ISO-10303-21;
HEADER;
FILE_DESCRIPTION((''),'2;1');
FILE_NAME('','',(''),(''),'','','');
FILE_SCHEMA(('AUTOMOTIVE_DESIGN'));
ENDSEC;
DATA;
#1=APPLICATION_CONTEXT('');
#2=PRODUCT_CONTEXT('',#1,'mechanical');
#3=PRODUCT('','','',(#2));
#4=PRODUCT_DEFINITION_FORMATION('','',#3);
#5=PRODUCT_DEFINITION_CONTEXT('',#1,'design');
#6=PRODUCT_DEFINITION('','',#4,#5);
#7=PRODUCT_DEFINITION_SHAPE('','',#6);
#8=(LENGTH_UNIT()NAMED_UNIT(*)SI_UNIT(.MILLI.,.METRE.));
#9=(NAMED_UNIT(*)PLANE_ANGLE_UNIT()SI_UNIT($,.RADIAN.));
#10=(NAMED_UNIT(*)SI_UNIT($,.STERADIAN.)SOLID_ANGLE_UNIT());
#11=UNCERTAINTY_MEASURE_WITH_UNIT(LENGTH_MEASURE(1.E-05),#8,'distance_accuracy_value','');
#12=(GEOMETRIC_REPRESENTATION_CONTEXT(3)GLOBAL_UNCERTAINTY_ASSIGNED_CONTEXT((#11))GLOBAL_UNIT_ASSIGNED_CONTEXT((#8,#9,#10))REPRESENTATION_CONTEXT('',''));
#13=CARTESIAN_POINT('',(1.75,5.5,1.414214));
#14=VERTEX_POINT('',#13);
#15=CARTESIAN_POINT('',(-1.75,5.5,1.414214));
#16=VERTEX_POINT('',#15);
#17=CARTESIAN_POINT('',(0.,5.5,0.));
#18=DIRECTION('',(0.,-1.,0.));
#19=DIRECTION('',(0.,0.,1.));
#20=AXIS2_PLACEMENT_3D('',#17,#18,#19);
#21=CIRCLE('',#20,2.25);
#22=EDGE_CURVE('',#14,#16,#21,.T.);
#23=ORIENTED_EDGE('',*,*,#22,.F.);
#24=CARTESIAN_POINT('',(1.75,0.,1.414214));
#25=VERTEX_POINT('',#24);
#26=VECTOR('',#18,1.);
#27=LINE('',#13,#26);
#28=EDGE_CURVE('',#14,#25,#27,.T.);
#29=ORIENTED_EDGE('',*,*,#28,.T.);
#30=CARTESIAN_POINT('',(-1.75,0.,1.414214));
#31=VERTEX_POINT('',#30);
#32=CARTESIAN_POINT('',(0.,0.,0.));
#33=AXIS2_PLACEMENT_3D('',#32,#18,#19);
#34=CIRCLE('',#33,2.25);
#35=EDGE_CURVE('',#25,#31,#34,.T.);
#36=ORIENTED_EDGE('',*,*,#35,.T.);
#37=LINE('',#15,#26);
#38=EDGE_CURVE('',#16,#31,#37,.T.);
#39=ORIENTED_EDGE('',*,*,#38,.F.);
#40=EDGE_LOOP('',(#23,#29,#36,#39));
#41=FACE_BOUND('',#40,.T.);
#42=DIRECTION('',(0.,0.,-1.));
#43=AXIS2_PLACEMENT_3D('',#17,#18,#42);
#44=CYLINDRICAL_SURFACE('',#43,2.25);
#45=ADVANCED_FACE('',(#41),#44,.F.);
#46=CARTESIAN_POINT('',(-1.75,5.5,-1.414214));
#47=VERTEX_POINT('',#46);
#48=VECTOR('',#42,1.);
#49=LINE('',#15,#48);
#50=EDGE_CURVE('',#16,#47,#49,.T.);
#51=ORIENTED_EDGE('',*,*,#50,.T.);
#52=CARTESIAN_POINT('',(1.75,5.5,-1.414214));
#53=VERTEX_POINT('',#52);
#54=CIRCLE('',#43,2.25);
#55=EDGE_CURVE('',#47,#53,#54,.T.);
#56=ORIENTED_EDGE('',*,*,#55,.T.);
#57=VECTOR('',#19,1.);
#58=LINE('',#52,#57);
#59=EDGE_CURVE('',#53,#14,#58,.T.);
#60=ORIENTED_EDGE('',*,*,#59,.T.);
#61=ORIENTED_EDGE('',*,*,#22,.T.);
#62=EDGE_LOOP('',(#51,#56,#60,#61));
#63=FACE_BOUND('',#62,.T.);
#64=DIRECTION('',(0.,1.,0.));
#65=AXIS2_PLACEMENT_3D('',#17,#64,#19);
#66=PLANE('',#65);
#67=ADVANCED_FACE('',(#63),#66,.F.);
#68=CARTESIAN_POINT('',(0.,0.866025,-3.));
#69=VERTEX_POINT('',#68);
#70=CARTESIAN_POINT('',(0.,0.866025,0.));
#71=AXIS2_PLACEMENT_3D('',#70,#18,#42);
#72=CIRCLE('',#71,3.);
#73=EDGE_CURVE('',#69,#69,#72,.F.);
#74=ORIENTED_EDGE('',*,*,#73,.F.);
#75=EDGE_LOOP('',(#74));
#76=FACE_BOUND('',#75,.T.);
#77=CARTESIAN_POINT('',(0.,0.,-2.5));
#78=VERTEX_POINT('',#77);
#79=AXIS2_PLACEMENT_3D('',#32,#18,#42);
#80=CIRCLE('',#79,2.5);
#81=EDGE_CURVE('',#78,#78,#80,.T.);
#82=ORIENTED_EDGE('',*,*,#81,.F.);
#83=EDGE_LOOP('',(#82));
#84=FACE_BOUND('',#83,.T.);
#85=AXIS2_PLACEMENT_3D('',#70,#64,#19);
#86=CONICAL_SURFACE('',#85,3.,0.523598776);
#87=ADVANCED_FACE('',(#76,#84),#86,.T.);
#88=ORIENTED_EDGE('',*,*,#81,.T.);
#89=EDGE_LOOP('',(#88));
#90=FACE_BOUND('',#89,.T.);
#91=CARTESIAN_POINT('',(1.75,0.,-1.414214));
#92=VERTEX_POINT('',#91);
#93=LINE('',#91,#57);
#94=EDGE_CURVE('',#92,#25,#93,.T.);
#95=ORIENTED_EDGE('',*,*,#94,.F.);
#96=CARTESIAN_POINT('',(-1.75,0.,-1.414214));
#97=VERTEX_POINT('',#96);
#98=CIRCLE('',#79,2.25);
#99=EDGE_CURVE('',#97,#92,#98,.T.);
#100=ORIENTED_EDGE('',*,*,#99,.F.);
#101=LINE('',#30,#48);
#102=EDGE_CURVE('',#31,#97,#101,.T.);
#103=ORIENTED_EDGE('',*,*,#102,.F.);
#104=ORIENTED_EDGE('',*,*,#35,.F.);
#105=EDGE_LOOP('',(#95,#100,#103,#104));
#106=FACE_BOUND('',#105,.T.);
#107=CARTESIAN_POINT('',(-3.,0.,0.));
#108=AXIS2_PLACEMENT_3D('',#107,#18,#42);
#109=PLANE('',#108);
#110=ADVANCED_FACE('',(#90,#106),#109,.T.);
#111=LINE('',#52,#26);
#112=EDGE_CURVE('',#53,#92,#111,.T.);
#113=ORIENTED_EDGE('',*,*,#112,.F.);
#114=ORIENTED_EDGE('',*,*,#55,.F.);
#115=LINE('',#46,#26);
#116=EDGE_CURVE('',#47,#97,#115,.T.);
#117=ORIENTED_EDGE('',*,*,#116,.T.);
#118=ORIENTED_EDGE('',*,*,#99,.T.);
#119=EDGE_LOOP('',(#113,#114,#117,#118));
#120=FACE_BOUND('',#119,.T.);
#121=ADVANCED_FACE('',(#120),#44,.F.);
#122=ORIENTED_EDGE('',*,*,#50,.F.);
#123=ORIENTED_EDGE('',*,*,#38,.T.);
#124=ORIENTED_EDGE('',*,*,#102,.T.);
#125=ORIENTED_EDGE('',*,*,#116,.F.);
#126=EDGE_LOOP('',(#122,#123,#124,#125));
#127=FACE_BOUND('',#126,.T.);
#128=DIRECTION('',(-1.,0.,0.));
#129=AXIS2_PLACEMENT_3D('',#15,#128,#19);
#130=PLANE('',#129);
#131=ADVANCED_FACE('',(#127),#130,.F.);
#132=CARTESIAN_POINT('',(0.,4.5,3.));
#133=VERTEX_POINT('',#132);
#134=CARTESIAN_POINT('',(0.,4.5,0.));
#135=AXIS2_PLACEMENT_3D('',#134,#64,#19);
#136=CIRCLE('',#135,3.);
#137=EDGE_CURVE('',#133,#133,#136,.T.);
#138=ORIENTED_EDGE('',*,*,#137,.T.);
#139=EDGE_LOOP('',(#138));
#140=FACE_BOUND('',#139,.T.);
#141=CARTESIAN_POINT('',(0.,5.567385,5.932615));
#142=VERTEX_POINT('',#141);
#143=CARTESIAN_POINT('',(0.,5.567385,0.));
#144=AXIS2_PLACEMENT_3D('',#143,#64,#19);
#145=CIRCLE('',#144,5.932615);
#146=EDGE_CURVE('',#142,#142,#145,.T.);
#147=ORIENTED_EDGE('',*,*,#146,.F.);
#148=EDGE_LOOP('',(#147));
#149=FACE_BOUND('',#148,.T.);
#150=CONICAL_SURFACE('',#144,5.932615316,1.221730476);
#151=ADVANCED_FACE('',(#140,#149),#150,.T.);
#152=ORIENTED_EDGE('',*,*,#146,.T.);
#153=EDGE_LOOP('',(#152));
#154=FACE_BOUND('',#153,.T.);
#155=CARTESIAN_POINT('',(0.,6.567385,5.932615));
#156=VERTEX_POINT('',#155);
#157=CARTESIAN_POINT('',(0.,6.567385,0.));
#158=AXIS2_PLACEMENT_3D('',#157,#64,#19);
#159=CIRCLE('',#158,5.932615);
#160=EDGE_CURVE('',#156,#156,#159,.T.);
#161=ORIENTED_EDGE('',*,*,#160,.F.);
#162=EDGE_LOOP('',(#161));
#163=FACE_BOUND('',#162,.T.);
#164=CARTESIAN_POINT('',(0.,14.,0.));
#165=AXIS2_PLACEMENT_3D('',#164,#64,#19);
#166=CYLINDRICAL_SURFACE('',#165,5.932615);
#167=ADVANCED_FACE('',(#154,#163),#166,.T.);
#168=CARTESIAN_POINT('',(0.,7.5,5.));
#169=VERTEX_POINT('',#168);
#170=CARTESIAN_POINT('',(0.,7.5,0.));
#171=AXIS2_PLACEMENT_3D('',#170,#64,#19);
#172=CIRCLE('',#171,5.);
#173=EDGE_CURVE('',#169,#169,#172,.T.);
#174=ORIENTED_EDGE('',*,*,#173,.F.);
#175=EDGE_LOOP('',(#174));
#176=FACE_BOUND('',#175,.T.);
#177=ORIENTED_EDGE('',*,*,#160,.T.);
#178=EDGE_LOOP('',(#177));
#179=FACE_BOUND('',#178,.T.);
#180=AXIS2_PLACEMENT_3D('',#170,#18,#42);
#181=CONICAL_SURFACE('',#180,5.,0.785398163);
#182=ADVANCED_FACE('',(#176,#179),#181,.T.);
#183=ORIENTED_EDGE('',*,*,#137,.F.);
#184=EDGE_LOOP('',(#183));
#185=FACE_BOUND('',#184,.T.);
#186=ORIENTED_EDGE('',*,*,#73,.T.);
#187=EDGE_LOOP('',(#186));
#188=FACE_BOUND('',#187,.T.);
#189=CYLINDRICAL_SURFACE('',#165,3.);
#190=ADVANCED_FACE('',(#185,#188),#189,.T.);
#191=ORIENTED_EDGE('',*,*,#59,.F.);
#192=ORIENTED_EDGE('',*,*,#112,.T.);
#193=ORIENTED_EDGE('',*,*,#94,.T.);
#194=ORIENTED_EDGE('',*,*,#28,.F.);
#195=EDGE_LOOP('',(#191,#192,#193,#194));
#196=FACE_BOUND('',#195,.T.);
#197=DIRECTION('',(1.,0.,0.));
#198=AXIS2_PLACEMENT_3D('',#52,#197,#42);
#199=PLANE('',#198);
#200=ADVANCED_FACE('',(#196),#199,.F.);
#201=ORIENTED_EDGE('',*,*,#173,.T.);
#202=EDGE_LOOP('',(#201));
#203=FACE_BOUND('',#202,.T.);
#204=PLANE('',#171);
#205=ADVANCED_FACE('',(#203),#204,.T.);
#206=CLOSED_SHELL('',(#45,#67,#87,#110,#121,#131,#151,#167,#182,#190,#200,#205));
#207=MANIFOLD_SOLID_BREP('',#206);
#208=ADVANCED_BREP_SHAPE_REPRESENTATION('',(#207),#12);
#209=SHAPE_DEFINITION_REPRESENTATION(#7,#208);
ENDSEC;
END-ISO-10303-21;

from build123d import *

# Parameters (mm, degrees)
CUT_EXTRUDE1_DEPTH = 5.5
CHAMFER1_SIZE      = 0.5
CHAMFER1_SIZE2     = 0.866025404


with BuildPart() as part:
    # Sketch1 → Revolve1 (revolve)
    with BuildSketch(Plane.XY):
        Polygon((0, 0), (0, 7.5), (-5, 7.5), (-5.932615316, 6.567384684), (-5.932615316, 5.567384684), (-3, 4.5), (-3, 0), align=None)
    revolve(axis=Axis((0, 14, 0), (0, -1, 0)))

    # Sketch2 → Cut-Extrude1 (cut)
    with BuildSketch(Plane.XZ):
        with BuildLine():
            Line((1.75, -1.414213562), (1.75, 1.414213562))
            ThreePointArc((1.75, 1.414213562), (0, 2.25), (-1.75, 1.414213562))
            Line((-1.75, 1.414213562), (-1.75, -1.414213562))
            ThreePointArc((-1.75, -1.414213562), (0, -2.25), (1.75, -1.414213562))
        make_face()
    extrude(amount=-CUT_EXTRUDE1_DEPTH, mode=Mode.SUBTRACT)

    # Chamfer1
    chamfer1_edges = [part.edges().sort_by_distance(p)[0] for p in [
        (3, 0, 0),
    ]]
    chamfer1_side = [part.faces().sort_by_distance(p)[0] for p in [
        (2.915147186, 0, 0),
    ]]
    chamfer(chamfer1_edges, length=CHAMFER1_SIZE, length2=CHAMFER1_SIZE2, reference=chamfer1_side[0])


solid = part.part
